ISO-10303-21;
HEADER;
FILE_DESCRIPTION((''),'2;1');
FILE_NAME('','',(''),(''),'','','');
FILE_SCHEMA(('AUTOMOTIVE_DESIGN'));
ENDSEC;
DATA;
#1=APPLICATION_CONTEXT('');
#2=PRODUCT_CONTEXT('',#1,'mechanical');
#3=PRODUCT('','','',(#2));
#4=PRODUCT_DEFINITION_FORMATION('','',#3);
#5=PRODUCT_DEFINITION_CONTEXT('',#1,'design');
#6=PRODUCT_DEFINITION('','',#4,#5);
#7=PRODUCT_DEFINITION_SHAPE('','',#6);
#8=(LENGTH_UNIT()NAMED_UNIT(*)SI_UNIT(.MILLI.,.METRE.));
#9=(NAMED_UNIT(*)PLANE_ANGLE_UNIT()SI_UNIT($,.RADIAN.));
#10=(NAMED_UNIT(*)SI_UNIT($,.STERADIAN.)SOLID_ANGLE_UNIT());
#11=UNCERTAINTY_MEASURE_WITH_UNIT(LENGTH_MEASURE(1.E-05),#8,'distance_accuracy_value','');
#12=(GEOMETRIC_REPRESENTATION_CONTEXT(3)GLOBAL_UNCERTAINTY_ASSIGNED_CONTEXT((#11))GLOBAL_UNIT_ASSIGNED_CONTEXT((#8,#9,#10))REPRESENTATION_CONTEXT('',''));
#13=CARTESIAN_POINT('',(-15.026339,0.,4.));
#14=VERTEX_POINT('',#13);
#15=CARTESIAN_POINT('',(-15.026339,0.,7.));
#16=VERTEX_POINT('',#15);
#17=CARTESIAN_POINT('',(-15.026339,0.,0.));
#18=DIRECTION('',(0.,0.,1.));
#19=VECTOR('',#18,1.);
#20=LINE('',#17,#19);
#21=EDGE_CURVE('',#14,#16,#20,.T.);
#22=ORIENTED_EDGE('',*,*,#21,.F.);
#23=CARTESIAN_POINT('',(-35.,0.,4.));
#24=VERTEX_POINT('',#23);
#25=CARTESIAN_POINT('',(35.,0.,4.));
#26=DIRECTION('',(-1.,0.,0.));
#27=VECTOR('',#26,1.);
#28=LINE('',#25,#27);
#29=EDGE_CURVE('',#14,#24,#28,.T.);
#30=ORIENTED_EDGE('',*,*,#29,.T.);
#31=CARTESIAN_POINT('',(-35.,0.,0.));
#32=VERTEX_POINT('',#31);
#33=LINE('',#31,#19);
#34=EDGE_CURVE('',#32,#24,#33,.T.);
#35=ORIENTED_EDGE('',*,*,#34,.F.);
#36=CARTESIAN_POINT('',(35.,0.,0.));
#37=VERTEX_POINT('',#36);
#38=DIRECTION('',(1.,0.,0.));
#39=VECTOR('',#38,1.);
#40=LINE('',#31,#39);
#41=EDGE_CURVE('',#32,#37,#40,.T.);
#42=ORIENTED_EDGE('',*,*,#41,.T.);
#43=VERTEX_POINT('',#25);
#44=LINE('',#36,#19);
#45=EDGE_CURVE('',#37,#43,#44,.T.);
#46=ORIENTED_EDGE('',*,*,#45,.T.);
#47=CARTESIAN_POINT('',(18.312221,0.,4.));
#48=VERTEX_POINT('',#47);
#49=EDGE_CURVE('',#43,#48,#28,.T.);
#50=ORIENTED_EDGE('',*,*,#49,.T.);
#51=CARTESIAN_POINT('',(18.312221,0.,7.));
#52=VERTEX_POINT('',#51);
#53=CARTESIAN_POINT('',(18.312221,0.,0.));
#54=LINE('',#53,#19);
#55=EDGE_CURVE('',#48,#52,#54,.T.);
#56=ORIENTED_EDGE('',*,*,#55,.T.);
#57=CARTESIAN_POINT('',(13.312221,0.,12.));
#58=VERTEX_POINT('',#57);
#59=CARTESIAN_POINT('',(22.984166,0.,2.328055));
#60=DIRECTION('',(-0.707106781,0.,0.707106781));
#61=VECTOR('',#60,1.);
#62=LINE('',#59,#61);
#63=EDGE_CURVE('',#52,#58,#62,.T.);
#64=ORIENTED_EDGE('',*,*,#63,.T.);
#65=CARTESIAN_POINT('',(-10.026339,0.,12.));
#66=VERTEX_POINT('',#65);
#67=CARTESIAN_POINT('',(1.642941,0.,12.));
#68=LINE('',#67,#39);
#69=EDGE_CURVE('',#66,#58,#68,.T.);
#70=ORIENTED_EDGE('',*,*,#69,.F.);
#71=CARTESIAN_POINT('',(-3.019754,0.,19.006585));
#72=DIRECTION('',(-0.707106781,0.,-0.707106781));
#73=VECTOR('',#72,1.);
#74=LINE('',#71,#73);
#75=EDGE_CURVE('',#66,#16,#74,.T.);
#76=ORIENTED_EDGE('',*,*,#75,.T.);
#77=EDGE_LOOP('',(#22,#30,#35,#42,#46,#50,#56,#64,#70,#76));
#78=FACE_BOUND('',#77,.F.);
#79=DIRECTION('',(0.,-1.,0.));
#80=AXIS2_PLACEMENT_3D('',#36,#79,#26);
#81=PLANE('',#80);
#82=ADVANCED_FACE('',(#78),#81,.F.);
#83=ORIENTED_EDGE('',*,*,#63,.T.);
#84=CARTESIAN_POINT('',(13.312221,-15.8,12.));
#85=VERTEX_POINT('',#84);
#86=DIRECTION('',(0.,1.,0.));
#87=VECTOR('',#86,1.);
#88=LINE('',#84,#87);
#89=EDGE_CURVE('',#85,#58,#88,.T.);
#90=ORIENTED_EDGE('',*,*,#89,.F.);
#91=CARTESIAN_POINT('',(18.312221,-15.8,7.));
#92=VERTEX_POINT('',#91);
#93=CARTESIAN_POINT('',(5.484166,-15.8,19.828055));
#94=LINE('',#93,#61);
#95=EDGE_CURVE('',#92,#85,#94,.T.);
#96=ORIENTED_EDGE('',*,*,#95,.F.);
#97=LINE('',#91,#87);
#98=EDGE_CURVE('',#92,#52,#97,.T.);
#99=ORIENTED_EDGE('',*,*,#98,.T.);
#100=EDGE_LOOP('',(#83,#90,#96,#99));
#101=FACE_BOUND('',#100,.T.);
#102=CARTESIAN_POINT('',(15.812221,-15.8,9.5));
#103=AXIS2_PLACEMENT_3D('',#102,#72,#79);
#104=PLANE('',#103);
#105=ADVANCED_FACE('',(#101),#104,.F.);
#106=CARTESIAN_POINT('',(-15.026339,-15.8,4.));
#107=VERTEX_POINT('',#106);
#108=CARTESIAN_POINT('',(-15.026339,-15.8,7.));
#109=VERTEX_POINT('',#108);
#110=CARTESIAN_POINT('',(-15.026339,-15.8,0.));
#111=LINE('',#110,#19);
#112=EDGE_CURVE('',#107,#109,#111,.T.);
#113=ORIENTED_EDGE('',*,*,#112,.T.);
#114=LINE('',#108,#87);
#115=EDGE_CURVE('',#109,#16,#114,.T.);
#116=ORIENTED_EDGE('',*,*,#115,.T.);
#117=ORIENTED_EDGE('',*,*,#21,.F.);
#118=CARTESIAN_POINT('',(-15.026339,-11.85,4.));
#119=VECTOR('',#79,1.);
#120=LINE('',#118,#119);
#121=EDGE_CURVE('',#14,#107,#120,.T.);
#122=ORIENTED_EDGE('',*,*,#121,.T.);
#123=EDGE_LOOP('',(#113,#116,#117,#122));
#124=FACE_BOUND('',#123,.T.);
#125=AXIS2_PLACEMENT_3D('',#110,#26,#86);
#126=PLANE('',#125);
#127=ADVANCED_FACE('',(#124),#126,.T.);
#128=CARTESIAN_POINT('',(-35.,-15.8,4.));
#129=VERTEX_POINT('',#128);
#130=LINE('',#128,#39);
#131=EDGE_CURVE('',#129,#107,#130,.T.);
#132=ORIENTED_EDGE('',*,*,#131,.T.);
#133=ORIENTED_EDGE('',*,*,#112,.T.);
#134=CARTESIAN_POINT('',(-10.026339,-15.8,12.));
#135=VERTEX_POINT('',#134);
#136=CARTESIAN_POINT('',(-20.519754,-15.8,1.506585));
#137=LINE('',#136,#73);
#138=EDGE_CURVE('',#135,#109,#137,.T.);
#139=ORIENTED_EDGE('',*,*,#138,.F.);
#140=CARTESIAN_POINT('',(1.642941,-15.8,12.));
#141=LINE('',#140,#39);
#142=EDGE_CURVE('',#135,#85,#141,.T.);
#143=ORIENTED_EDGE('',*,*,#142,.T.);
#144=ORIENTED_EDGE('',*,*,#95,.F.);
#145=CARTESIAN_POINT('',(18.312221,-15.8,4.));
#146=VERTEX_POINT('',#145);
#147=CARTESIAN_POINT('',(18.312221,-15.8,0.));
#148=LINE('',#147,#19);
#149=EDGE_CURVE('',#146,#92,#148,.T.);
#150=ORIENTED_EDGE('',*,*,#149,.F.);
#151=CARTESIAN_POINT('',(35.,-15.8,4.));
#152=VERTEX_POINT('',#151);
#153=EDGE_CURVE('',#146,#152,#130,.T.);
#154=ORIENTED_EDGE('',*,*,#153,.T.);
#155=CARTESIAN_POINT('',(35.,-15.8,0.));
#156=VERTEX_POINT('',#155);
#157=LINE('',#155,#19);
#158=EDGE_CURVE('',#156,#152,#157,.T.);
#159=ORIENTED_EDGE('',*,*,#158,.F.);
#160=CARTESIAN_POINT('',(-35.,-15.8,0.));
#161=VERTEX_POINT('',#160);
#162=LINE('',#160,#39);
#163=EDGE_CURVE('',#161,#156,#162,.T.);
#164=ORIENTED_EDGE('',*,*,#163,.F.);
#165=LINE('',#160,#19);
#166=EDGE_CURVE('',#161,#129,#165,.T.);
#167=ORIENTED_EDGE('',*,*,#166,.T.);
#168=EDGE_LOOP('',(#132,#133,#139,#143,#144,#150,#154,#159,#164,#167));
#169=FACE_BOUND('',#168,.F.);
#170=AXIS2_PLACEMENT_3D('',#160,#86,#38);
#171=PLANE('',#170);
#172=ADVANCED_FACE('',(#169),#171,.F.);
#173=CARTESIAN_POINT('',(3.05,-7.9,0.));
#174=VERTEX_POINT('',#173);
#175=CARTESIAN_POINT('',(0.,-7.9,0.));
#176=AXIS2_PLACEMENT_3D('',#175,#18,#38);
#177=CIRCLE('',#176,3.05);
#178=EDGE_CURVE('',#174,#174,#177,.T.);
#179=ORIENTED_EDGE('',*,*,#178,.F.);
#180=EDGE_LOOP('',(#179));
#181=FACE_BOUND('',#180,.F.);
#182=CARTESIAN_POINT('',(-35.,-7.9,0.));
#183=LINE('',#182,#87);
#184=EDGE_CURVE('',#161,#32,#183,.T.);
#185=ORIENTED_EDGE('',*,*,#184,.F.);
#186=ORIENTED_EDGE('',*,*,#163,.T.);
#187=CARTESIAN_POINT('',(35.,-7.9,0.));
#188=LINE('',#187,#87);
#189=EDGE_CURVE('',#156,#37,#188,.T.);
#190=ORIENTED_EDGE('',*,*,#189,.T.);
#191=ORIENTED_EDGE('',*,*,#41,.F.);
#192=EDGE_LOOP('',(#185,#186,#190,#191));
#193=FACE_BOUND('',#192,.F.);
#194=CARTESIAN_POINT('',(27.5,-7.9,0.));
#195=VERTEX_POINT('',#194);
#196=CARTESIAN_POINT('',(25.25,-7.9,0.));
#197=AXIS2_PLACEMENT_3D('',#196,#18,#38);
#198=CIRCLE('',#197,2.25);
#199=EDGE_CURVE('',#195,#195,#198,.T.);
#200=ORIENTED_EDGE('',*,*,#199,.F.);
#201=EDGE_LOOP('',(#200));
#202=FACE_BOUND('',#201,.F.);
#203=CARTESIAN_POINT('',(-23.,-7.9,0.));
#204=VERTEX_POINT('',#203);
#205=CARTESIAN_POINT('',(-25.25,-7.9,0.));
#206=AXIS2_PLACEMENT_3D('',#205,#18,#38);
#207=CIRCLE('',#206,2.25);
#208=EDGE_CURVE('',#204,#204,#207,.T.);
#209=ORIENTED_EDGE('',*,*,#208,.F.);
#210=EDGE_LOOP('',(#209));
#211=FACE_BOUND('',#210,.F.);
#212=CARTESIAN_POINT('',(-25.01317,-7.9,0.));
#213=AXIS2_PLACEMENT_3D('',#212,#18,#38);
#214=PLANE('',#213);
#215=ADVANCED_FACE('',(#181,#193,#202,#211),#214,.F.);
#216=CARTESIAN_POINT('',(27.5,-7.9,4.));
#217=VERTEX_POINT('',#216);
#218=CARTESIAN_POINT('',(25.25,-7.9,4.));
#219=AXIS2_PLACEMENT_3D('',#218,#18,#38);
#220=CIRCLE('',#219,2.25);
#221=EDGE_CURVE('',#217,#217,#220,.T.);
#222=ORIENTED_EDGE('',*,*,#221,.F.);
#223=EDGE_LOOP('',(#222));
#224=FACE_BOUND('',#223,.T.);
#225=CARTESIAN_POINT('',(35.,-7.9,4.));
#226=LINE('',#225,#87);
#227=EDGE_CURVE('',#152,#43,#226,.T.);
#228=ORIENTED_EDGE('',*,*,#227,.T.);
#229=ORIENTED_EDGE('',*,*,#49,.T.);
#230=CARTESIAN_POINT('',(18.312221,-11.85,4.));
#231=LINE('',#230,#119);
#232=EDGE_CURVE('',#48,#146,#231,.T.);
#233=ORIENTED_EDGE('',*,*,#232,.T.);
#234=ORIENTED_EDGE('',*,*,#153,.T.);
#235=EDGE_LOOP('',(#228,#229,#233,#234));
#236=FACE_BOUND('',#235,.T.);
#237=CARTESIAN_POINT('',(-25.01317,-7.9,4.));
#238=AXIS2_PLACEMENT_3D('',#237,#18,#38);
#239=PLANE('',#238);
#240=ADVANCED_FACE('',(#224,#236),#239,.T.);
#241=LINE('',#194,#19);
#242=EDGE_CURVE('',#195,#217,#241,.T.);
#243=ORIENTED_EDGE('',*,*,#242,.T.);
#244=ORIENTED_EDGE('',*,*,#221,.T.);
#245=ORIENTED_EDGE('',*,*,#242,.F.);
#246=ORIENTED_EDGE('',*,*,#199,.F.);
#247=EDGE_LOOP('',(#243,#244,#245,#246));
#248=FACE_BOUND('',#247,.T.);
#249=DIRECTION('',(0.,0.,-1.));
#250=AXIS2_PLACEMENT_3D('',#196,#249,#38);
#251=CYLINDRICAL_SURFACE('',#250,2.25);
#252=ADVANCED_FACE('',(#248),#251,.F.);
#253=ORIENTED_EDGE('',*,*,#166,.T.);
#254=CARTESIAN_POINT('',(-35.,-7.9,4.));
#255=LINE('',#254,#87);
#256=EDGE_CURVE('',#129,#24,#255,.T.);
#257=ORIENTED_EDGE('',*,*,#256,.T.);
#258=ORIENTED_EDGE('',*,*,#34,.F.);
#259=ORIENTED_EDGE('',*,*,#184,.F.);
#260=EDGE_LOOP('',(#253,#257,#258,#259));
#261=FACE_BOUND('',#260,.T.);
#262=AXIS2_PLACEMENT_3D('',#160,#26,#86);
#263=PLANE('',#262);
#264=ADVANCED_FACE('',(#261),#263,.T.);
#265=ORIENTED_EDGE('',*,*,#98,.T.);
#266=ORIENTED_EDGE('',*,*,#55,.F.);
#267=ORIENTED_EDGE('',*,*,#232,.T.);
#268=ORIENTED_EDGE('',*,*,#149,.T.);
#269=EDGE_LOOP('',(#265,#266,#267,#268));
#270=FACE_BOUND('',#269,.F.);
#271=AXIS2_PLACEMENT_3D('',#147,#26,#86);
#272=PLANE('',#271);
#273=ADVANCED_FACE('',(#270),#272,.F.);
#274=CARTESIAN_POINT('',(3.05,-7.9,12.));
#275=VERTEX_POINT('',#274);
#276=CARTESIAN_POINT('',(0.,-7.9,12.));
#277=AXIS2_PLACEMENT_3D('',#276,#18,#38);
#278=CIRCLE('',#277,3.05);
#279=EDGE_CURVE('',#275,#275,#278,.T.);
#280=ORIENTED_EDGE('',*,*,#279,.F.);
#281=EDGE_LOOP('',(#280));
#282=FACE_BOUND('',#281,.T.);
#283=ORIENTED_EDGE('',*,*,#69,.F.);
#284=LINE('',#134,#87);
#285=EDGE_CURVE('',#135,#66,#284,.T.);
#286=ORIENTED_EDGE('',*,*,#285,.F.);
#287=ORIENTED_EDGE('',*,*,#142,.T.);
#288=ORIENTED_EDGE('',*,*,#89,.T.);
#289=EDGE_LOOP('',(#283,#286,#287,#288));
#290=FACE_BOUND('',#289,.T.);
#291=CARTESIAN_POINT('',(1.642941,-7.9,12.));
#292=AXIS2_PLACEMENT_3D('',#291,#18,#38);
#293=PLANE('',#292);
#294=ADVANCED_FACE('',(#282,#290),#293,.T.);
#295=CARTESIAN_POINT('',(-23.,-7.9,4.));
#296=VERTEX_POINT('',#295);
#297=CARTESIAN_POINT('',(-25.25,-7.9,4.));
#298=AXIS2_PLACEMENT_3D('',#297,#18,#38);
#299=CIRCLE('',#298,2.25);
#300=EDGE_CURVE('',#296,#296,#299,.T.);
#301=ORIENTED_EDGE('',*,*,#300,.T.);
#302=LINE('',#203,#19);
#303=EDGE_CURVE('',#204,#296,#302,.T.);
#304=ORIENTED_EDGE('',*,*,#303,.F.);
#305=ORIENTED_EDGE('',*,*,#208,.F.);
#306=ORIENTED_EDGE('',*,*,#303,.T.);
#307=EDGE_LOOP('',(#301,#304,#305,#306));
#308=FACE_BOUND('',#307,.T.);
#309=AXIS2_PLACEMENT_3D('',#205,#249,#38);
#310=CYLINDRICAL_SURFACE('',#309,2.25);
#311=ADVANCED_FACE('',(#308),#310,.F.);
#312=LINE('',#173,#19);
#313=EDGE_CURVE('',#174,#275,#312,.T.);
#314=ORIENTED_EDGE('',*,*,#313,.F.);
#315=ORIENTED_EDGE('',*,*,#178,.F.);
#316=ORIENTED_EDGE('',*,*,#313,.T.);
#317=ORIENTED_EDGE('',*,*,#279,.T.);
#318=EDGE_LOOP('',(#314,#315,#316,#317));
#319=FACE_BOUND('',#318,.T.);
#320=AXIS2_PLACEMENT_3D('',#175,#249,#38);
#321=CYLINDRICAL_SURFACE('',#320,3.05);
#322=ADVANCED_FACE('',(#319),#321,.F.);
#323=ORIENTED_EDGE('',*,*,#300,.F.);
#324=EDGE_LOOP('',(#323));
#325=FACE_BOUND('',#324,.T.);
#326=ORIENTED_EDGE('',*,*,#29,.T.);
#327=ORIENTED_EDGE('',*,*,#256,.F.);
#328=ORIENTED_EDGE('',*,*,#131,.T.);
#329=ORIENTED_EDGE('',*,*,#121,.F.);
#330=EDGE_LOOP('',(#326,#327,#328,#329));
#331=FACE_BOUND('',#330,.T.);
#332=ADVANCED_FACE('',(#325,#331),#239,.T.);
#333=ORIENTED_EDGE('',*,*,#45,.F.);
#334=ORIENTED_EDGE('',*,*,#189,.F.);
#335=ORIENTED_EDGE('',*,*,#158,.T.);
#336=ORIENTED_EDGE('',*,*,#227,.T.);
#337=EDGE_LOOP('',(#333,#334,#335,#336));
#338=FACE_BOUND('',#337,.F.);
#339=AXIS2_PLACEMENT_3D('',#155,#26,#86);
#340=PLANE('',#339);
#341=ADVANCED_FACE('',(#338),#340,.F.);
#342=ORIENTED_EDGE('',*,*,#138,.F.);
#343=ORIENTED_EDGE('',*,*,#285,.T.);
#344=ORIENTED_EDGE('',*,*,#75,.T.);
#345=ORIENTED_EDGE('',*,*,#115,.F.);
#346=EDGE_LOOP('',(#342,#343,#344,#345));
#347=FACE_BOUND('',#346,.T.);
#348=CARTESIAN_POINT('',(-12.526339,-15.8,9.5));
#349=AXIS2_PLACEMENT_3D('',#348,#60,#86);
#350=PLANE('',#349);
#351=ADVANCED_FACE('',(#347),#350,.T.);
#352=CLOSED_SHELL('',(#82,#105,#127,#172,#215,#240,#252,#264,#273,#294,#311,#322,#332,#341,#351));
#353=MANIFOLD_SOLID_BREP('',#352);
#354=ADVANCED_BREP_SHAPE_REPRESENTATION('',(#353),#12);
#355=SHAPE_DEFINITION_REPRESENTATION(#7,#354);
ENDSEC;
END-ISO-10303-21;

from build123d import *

# Parameters (mm, degrees)
F0_W     = 19.9736606702
F0_H     = 15.8
F0_R     = 2.25
F0_W_2   = 16.687778607
F0_W_3   = 33.3385607228
F0_R_2   = 3.05
F1_DEPTH = 4
F2_DEPTH = 12
F3_SIZE  = 5


with BuildPart() as f1:
    # F0 (on Top) → F1 (new body)
    with BuildSketch(Plane.XY):
        with Locations((-25.0131696649, -7.9)):
            Rectangle(F0_W, F0_H)
        with Locations((-25.25, -7.9)):
            Circle(F0_R, mode=Mode.SUBTRACT)
        with Locations((26.6561106965, -7.9)):
            Rectangle(F0_W_2, F0_H)
        with Locations((25.25, -7.9)):
            Circle(F0_R, mode=Mode.SUBTRACT)
        with Locations((1.6429410316, -7.9)):
            Rectangle(F0_W_3, F0_H)
        with Locations((0, -7.9)):
            Circle(F0_R_2, mode=Mode.SUBTRACT)
    extrude(amount=F1_DEPTH)

    # F0 (on Top) → F2 (join)
    with BuildSketch(Plane.XY):
        with Locations((1.6429410316, -7.9)):
            Rectangle(F0_W_3, F0_H)
        with Locations((0, -7.9)):
            Circle(F0_R_2, mode=Mode.SUBTRACT)
    extrude(amount=F2_DEPTH)

    # F3
    f3_edges = [f1.edges().sort_by_distance(p)[0] for p in [
        (-15.026339, -7.9, 12),
        (18.312221, -7.9, 12),
    ]]
    chamfer(f3_edges, length=F3_SIZE)


solid = f1.part
